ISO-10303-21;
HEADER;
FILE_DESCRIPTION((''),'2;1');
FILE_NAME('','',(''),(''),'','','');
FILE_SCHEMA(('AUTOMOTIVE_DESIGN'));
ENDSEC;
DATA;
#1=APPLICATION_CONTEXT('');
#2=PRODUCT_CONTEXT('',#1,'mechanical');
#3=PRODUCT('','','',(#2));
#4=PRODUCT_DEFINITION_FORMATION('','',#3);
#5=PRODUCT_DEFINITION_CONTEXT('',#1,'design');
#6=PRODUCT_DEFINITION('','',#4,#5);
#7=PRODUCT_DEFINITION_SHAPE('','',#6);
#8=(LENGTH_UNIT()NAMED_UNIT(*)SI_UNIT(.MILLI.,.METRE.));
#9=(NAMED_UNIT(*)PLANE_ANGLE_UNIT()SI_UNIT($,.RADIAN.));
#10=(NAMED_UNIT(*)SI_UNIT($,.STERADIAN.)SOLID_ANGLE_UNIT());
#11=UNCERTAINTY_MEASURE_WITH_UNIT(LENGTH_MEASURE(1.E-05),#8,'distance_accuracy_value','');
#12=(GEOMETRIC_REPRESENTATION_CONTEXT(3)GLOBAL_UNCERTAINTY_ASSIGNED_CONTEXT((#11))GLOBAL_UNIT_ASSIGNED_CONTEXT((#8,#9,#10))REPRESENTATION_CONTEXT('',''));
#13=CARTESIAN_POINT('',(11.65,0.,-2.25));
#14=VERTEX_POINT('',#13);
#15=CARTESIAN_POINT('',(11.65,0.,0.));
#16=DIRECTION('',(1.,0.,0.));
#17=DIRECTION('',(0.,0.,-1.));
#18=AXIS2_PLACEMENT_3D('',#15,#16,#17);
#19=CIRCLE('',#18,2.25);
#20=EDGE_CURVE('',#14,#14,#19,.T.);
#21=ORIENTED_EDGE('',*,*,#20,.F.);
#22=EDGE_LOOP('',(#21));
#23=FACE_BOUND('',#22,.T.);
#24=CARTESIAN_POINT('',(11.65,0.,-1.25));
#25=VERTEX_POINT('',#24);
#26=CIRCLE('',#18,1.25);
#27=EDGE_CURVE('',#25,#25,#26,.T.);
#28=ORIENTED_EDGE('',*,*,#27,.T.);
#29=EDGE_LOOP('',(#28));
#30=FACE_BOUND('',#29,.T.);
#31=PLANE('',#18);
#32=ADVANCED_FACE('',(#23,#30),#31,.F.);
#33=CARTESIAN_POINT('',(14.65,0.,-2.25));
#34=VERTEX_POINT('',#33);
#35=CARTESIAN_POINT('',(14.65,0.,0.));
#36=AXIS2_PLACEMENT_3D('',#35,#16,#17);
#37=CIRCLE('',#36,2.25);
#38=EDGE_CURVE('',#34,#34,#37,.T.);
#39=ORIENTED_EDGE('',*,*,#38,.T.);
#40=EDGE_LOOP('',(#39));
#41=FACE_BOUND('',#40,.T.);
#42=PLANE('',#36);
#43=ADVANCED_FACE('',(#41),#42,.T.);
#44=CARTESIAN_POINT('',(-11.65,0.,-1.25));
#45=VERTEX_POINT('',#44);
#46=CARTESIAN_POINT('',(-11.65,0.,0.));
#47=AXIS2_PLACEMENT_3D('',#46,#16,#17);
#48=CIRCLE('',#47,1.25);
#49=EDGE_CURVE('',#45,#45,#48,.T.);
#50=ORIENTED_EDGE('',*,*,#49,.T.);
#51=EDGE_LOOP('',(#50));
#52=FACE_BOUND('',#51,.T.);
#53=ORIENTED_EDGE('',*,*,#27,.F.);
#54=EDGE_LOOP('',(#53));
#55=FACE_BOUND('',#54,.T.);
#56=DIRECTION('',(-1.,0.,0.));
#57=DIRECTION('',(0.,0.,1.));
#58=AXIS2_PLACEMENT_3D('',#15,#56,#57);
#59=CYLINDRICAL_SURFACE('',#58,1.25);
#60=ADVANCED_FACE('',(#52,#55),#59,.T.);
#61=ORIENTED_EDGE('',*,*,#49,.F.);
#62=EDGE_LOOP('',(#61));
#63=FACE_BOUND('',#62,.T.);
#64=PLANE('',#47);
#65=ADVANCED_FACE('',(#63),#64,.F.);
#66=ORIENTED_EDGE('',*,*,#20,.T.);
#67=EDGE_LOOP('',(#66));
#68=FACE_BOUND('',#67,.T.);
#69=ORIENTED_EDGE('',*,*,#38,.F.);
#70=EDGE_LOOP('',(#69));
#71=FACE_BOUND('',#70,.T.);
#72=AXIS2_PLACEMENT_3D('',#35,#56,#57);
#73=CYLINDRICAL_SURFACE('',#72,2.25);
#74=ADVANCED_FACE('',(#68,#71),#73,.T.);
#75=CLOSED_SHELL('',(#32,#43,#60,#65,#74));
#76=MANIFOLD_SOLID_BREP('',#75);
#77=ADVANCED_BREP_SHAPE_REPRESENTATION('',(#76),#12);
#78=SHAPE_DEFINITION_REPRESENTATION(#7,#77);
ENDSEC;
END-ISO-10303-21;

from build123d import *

# Parameters (mm, degrees)
SKETCH1_R           = 1.25
BOSS_EXTRUDE1_DEPTH = 11.65
SKETCH2_R           = 2.25
BOSS_EXTRUDE2_DEPTH = 3


with BuildPart() as part:
    # Sketch1 → Boss-Extrude1 (new, symmetric)
    with BuildSketch(Plane(origin=(0, 0, 0), x_dir=(0, 0, -1), z_dir=(1, 0, 0))):
        Circle(SKETCH1_R)
    extrude(amount=BOSS_EXTRUDE1_DEPTH, both=True)

    # Sketch2 → Boss-Extrude2 (add)
    with BuildSketch(Plane(origin=(11.65, 0, 0), x_dir=(0, 0, -1), z_dir=(1, 0, 0))):
        Circle(SKETCH2_R)
    extrude(amount=BOSS_EXTRUDE2_DEPTH)


solid = part.part
